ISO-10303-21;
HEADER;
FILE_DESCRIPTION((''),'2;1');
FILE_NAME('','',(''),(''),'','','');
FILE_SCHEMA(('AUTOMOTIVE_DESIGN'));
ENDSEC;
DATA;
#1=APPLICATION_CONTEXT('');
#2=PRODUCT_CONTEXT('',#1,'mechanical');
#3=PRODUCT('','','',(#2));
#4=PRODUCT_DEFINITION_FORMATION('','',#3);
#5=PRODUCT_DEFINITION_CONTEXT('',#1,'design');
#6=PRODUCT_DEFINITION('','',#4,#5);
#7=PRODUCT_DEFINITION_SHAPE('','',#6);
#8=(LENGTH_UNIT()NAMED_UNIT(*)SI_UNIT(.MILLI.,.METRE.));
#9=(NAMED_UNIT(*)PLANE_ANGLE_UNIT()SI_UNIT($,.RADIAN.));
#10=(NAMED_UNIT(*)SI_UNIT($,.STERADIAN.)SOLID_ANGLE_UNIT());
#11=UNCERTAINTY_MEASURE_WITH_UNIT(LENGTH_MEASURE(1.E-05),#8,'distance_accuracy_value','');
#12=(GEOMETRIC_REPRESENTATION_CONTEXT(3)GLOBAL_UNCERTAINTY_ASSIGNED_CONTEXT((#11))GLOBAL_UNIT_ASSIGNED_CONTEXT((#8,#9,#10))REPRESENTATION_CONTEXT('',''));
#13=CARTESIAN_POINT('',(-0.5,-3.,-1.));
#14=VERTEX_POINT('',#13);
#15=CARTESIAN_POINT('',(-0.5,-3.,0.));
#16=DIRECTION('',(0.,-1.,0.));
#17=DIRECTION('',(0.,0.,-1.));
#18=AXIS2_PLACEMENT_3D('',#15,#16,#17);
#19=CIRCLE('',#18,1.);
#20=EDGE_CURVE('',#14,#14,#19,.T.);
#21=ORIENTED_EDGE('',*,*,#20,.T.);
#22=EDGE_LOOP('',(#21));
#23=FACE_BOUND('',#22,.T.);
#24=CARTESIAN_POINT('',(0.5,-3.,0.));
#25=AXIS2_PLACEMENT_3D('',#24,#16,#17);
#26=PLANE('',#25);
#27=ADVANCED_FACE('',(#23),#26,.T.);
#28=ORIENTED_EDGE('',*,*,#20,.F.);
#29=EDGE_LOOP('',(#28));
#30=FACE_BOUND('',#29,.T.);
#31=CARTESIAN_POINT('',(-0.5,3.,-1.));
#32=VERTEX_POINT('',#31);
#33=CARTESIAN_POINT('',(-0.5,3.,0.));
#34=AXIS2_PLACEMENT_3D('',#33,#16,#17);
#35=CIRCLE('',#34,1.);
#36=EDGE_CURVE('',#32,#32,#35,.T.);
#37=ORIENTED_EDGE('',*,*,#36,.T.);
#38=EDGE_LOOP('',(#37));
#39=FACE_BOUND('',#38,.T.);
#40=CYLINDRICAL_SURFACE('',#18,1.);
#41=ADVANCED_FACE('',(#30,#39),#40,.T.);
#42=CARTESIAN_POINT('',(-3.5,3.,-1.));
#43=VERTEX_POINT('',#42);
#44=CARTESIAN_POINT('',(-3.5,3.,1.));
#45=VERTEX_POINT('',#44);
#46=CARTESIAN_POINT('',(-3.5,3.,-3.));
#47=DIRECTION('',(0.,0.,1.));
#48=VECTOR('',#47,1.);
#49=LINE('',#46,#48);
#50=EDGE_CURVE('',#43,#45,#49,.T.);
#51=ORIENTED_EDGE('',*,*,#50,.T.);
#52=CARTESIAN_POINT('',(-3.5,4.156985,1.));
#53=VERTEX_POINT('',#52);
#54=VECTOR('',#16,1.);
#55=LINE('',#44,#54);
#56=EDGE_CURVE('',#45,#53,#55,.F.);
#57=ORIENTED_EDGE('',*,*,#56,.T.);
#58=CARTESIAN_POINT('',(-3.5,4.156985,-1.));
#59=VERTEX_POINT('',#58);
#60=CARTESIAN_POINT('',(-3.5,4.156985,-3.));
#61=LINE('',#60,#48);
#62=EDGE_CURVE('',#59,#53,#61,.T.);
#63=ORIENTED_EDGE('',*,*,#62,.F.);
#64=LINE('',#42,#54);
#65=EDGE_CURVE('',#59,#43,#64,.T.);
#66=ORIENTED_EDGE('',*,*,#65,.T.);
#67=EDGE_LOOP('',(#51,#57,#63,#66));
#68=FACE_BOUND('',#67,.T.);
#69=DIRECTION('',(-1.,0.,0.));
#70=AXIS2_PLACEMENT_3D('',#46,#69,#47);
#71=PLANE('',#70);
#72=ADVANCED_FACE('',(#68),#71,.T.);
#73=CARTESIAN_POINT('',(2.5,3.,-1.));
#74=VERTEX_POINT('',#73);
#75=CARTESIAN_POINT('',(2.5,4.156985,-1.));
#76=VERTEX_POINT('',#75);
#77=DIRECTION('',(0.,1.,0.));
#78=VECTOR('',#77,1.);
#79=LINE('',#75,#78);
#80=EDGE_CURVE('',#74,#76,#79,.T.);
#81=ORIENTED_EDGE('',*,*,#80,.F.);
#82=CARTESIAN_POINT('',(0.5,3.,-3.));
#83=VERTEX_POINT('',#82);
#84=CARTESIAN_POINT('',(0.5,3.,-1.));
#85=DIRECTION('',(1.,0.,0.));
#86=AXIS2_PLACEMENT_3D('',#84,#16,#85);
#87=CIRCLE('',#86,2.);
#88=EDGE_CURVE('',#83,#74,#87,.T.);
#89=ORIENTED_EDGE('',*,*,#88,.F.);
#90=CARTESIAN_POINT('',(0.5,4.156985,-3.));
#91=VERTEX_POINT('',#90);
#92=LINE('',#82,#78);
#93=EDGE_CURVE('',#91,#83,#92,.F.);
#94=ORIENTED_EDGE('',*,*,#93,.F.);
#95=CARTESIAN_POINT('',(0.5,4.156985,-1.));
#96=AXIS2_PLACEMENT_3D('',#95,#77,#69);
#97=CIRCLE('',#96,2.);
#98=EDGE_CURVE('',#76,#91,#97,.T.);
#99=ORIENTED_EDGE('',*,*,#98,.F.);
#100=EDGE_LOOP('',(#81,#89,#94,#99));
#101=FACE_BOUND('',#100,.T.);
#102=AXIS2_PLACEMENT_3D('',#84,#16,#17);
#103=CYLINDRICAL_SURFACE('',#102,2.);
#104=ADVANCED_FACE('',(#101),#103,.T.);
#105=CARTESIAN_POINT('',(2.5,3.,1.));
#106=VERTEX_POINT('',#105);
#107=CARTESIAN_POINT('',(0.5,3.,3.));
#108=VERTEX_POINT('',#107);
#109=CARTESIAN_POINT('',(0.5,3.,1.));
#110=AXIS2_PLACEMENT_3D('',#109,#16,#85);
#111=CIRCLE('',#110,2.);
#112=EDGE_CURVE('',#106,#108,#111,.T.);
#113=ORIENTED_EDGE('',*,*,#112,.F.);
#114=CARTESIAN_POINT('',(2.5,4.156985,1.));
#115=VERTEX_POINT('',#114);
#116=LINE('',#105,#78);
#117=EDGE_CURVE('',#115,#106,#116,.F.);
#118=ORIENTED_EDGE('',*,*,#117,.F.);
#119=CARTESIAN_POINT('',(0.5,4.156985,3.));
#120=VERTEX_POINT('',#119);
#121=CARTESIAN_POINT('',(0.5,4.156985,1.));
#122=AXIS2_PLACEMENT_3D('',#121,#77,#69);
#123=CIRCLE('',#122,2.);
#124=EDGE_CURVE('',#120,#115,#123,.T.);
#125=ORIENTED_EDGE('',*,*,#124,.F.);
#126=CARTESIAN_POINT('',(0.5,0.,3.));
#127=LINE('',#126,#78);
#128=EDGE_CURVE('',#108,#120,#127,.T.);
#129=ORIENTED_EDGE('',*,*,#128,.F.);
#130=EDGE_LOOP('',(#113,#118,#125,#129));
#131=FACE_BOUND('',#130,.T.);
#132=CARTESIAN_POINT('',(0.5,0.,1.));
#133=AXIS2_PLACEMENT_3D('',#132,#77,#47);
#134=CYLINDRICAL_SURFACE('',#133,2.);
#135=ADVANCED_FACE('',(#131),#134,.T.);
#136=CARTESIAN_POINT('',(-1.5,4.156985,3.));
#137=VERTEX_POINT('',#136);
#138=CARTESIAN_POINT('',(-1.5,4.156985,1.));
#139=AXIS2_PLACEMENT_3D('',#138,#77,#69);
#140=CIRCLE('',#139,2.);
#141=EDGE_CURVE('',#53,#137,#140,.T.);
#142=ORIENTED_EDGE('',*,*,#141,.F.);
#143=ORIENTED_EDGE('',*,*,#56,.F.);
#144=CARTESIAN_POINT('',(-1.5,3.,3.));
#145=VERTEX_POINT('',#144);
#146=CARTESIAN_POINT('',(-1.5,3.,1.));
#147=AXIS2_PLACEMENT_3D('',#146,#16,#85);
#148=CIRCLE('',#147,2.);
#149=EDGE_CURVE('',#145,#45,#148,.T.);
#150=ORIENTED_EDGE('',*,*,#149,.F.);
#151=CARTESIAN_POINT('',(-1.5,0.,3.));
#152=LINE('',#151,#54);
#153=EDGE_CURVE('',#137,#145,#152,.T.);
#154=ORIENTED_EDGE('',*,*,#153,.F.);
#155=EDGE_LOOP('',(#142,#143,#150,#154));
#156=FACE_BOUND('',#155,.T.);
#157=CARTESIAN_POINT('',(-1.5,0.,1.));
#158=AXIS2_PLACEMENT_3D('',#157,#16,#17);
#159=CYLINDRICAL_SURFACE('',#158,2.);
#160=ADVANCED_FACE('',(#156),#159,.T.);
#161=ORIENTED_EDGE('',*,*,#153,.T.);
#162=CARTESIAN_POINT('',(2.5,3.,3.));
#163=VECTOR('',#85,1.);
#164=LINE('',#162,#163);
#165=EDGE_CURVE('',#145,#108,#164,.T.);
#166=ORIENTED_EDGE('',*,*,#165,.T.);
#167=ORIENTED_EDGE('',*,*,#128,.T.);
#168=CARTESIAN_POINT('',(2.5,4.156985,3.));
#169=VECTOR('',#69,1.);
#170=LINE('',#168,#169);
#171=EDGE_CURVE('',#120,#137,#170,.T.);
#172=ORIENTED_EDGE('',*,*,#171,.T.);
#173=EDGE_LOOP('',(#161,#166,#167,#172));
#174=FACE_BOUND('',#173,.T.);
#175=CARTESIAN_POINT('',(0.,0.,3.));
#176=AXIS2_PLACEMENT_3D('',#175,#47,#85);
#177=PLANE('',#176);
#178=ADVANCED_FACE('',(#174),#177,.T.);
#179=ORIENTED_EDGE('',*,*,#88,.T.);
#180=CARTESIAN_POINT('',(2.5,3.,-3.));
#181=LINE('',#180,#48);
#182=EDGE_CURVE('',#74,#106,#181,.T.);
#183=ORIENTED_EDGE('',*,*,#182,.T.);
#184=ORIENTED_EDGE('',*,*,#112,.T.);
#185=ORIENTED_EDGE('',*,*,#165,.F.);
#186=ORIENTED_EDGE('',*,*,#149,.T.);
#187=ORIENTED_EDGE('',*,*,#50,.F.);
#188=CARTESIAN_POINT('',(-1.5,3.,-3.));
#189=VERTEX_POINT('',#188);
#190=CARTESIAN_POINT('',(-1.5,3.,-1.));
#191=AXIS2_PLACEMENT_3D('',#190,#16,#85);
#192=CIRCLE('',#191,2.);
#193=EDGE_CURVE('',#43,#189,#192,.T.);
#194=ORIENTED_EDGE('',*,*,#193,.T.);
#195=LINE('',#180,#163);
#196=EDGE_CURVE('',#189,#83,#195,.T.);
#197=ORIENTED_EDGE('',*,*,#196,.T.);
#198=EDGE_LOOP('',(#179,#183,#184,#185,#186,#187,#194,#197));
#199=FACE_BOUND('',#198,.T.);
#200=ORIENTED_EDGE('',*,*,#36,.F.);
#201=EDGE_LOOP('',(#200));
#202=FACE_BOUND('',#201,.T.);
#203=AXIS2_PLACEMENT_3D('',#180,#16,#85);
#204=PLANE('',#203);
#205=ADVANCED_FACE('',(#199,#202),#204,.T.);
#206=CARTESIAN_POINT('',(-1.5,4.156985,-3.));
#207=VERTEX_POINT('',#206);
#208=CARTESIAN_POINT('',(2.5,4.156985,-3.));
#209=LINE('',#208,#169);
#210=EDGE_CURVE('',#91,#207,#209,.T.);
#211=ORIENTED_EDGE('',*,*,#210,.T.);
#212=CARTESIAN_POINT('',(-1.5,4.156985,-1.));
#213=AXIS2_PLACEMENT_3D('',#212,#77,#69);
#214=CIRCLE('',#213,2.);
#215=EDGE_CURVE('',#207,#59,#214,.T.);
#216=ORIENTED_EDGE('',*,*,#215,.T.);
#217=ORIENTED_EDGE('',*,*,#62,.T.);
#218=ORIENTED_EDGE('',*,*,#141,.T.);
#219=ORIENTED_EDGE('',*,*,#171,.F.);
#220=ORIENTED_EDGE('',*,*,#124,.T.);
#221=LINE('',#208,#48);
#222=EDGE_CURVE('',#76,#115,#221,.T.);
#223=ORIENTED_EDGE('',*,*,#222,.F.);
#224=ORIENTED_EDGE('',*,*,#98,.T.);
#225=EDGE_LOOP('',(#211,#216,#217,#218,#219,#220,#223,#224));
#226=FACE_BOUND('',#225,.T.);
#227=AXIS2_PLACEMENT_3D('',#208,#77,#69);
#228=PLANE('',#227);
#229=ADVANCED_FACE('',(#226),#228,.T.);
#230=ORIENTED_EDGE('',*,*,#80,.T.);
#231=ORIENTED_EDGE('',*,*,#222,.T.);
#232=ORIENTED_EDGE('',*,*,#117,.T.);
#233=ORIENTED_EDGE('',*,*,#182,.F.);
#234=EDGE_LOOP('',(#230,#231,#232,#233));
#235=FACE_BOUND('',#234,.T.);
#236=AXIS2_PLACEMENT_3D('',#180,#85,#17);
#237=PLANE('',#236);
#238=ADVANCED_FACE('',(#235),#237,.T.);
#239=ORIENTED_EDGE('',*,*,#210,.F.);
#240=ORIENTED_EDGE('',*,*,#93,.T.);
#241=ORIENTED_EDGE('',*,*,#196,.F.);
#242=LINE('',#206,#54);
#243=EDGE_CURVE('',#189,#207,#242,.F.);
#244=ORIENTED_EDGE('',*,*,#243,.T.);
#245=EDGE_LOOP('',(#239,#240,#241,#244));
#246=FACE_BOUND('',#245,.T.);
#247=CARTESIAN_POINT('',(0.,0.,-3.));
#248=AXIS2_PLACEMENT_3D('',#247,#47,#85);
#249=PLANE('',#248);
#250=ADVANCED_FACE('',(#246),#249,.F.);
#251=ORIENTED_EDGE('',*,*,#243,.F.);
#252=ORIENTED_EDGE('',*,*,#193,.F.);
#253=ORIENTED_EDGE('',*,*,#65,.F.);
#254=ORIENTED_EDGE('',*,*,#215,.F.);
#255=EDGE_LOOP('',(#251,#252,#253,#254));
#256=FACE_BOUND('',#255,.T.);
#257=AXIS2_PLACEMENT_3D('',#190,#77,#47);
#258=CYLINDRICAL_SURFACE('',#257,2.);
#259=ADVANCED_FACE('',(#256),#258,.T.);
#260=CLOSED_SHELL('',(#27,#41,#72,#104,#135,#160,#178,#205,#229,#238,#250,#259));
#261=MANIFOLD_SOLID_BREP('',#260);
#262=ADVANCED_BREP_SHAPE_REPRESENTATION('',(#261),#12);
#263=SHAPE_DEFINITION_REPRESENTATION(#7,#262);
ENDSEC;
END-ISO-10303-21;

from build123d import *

# Parameters (mm, degrees)
SKETCH1_W                = 1
SKETCH1_H                = 6
BOSS_EXTRUDE1_DEPTH      = 3
BOSS_EXTRUDE1_DEPTH_BACK = 3
SKETCH9_W                = 6
SKETCH9_H                = 1.15698482
FILLET1_R                = 2


with BuildPart() as part:
    # Sketch1 → Revolve3 (revolve)
    with BuildSketch(Plane.XY):
        Rectangle(SKETCH1_W, SKETCH1_H)
    revolve(axis=Axis((-0.5, -3, 0), (0, 1, 0)))

    # Sketch9 → Boss-Extrude1 (add, two sides: drawn at the far end of the back side and taken through both)
    with BuildSketch(Plane.XY.offset(-BOSS_EXTRUDE1_DEPTH_BACK)):
        with Locations((-0.5, 3.57849241)):
            Rectangle(SKETCH9_W, SKETCH9_H)
    extrude(amount=BOSS_EXTRUDE1_DEPTH + BOSS_EXTRUDE1_DEPTH_BACK)

    # Fillet1
    fillet1_edges = [part.edges().sort_by_distance(p)[0] for p in [
        (-3.5, 3.57849241, -3),
        (2.5, 3.57849241, -3),
        (2.5, 3.57849241, 3),
        (-3.5, 3.57849241, 3),
    ]]
    fillet(fillet1_edges, radius=FILLET1_R)


solid = part.part
